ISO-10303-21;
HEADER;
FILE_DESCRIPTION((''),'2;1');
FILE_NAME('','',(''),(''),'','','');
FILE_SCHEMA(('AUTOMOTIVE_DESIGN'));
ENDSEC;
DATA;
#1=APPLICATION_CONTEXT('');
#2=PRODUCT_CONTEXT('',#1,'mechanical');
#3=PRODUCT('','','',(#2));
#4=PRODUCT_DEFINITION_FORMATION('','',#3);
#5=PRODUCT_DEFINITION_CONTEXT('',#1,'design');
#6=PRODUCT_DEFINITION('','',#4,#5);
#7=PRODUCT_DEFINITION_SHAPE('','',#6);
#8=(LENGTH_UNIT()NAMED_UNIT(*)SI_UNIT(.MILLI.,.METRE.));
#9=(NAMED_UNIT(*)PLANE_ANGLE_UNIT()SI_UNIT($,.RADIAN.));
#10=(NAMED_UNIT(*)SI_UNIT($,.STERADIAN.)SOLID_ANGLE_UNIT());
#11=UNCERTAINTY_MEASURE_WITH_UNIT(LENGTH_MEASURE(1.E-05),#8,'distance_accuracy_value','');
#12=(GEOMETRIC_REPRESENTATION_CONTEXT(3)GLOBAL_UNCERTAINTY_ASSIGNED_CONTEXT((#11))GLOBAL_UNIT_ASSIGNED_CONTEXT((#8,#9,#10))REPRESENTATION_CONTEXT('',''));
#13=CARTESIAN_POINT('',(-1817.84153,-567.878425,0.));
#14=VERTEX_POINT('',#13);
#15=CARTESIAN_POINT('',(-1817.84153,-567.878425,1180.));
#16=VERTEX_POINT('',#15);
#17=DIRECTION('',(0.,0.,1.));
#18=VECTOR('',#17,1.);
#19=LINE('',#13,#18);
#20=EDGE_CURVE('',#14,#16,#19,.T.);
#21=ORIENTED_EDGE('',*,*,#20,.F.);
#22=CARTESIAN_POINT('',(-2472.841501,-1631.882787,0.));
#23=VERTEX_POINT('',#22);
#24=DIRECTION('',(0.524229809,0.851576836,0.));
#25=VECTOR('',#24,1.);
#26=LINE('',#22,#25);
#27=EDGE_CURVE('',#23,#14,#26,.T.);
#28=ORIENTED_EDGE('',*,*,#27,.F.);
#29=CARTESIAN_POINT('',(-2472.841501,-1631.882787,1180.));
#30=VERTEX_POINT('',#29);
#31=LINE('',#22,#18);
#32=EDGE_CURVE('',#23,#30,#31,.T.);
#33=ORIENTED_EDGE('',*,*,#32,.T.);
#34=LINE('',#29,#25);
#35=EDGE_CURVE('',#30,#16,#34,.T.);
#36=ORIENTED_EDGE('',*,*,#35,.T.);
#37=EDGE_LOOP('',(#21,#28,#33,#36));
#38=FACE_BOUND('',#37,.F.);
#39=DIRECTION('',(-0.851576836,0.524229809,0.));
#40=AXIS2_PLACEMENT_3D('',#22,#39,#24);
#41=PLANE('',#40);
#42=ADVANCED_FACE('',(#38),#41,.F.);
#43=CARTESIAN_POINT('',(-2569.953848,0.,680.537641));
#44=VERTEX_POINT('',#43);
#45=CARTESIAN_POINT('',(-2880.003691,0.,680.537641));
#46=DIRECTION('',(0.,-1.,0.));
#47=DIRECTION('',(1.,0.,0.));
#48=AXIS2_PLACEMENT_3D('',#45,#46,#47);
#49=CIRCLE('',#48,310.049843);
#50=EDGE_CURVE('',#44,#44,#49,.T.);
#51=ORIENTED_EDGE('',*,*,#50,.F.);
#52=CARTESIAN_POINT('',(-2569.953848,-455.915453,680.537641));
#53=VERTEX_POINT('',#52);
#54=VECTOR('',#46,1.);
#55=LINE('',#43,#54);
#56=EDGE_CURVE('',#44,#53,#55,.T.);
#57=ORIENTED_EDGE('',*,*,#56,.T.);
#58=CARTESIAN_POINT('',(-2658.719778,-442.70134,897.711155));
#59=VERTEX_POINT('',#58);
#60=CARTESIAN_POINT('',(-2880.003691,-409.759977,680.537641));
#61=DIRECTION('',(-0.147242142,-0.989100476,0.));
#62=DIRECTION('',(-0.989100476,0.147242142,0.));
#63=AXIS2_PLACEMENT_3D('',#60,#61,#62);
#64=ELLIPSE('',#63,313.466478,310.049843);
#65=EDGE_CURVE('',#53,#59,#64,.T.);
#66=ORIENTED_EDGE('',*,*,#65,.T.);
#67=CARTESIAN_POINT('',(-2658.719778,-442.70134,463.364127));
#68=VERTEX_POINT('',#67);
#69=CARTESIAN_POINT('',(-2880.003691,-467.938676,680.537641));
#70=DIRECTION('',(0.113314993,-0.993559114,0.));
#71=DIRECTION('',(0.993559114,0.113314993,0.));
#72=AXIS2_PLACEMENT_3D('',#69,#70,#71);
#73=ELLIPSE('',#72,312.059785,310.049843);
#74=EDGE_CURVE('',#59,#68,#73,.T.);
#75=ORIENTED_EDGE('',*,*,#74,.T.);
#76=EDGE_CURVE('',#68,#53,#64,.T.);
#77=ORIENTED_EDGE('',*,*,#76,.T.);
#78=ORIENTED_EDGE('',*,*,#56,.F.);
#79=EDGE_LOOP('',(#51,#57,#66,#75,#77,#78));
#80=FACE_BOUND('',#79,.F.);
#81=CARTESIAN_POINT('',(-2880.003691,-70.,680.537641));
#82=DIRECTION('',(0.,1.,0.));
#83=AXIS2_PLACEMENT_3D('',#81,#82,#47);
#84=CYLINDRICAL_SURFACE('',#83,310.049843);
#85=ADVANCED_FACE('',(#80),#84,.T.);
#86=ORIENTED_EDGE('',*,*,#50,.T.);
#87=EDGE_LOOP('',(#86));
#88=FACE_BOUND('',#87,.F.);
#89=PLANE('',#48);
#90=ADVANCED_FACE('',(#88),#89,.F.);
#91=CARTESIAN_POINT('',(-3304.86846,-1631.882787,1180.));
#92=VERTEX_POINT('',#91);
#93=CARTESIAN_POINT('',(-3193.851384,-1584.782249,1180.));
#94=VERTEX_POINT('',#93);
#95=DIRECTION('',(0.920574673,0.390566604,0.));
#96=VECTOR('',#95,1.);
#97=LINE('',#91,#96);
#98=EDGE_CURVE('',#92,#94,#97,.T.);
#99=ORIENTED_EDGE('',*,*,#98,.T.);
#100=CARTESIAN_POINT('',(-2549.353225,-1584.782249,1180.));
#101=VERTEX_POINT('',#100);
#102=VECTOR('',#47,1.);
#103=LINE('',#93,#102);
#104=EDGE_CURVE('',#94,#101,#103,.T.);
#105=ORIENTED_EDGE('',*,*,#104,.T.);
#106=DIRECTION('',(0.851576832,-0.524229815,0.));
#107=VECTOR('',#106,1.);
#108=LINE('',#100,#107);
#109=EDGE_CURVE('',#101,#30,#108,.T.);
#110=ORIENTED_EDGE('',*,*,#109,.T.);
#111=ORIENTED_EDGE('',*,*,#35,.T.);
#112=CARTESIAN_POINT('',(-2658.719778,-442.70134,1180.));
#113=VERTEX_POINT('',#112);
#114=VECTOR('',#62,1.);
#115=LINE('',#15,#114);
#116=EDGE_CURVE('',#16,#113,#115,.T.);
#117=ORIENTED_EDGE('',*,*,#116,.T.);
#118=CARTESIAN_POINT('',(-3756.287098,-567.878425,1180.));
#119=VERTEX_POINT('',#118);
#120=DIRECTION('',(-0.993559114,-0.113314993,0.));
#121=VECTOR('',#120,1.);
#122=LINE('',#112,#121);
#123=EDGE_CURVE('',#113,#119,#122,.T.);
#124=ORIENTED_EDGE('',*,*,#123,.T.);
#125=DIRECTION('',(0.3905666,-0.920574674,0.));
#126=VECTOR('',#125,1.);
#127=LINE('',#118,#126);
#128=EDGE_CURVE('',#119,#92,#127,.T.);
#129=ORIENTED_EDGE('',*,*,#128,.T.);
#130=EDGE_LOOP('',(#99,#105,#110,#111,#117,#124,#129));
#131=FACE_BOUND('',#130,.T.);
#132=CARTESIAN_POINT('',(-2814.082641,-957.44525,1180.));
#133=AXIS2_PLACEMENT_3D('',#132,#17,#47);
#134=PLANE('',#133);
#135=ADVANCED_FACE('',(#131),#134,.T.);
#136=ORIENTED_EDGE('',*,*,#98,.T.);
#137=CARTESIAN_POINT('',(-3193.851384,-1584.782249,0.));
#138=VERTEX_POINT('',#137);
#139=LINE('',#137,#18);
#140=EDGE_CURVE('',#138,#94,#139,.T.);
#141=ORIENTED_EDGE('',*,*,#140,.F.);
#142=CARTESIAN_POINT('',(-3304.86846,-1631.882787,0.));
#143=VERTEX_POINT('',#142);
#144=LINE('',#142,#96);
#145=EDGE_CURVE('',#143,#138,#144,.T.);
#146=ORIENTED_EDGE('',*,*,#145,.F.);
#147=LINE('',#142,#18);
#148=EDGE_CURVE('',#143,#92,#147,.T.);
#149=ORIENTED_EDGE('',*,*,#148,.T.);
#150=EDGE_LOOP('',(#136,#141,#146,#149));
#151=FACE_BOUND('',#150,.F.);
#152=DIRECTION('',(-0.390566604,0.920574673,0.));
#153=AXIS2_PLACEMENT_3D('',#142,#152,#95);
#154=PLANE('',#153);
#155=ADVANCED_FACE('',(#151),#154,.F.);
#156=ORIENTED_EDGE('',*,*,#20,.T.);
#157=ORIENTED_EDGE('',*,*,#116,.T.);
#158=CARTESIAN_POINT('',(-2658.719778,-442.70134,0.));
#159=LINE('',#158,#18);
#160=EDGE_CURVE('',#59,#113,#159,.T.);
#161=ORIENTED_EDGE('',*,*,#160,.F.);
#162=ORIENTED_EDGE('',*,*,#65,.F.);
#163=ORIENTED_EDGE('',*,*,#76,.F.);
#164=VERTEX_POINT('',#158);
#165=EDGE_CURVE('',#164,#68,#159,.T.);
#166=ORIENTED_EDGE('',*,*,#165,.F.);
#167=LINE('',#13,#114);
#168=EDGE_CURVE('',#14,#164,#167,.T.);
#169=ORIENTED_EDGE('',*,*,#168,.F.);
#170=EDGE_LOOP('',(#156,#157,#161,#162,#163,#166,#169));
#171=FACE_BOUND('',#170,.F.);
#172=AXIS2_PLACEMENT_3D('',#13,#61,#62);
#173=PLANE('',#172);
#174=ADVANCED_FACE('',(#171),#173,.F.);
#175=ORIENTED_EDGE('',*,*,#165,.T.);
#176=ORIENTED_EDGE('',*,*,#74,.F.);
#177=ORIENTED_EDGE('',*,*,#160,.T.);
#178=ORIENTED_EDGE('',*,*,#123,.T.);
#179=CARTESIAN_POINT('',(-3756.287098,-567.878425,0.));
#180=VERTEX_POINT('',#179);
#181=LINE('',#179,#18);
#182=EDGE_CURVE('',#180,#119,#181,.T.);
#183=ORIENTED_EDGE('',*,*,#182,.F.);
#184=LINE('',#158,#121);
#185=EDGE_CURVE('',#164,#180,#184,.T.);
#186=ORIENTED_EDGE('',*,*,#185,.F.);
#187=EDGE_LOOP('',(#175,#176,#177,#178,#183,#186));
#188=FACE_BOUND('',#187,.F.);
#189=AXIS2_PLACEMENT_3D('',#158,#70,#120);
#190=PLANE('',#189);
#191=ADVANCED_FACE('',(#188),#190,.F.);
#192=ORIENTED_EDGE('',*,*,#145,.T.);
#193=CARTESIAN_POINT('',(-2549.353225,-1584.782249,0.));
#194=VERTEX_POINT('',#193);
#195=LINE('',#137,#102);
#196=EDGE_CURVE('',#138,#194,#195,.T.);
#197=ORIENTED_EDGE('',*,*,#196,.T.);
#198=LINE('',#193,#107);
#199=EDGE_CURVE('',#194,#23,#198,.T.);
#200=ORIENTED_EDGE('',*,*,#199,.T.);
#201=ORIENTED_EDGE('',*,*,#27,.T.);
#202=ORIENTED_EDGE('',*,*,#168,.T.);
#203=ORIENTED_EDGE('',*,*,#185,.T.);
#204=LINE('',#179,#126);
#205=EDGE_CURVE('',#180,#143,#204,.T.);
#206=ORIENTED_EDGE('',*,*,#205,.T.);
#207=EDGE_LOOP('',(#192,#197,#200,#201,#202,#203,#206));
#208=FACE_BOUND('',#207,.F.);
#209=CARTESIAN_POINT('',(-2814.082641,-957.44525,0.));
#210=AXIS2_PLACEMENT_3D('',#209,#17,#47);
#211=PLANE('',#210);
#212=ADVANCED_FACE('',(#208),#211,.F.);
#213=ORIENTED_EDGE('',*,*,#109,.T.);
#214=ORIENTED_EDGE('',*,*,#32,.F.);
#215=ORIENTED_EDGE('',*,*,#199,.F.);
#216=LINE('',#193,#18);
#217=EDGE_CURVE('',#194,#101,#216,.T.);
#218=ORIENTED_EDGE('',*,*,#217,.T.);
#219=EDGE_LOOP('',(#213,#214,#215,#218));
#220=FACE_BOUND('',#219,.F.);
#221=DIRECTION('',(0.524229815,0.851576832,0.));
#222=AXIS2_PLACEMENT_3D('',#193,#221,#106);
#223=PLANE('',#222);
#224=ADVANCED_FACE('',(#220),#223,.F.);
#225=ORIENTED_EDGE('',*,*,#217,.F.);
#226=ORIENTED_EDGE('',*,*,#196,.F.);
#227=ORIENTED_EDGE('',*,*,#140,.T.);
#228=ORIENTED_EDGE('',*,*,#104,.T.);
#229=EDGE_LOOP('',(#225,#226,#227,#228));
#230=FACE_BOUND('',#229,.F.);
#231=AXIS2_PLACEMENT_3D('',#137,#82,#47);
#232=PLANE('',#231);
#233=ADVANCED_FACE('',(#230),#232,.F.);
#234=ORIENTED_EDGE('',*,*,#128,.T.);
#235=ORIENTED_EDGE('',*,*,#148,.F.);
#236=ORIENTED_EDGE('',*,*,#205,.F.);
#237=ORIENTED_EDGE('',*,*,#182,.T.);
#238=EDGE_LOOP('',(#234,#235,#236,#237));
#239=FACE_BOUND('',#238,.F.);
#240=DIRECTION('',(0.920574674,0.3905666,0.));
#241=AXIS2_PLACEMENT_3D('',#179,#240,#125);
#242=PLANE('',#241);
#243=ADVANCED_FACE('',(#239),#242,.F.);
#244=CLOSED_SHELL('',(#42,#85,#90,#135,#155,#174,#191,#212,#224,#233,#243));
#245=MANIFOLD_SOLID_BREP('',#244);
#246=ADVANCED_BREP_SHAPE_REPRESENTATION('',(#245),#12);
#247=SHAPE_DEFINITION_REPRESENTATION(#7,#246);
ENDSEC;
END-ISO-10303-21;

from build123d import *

# Parameters (mm, degrees)
F0_R      = 310.049843
F1_DEPTH  = 70
F1_FACE_R = 310.049843
F2_DEPTH  = 800
F4_DEPTH  = 1180


with BuildPart() as f1:
    # F0 (on Front) → F1 (new body)
    with BuildSketch(Plane.XZ):
        with Locations((-2880.003691, 680.537641)):
            Circle(F0_R)
    extrude(amount=F1_DEPTH)

    # F1_face (on face) → F2 (join)
    with BuildSketch(Plane(origin=(-2880.003691, -70, 680.537641), x_dir=(1, 0, 0), z_dir=(0, -1, 0))):
        Circle(F1_FACE_R)
    extrude(amount=F2_DEPTH)

    # F3 (on Top) → F4 (join)
    with BuildSketch(Plane.XY):
        Polygon((-3756.287098, -567.878425), (-3304.86846, -1631.882787), (-3193.851384, -1584.782249), (-2549.353225, -1584.782249), (-2472.841501, -1631.882787), (-1817.84153, -567.878425), (-2658.719778, -442.70134), align=None)
    extrude(amount=F4_DEPTH)


solid = f1.part
